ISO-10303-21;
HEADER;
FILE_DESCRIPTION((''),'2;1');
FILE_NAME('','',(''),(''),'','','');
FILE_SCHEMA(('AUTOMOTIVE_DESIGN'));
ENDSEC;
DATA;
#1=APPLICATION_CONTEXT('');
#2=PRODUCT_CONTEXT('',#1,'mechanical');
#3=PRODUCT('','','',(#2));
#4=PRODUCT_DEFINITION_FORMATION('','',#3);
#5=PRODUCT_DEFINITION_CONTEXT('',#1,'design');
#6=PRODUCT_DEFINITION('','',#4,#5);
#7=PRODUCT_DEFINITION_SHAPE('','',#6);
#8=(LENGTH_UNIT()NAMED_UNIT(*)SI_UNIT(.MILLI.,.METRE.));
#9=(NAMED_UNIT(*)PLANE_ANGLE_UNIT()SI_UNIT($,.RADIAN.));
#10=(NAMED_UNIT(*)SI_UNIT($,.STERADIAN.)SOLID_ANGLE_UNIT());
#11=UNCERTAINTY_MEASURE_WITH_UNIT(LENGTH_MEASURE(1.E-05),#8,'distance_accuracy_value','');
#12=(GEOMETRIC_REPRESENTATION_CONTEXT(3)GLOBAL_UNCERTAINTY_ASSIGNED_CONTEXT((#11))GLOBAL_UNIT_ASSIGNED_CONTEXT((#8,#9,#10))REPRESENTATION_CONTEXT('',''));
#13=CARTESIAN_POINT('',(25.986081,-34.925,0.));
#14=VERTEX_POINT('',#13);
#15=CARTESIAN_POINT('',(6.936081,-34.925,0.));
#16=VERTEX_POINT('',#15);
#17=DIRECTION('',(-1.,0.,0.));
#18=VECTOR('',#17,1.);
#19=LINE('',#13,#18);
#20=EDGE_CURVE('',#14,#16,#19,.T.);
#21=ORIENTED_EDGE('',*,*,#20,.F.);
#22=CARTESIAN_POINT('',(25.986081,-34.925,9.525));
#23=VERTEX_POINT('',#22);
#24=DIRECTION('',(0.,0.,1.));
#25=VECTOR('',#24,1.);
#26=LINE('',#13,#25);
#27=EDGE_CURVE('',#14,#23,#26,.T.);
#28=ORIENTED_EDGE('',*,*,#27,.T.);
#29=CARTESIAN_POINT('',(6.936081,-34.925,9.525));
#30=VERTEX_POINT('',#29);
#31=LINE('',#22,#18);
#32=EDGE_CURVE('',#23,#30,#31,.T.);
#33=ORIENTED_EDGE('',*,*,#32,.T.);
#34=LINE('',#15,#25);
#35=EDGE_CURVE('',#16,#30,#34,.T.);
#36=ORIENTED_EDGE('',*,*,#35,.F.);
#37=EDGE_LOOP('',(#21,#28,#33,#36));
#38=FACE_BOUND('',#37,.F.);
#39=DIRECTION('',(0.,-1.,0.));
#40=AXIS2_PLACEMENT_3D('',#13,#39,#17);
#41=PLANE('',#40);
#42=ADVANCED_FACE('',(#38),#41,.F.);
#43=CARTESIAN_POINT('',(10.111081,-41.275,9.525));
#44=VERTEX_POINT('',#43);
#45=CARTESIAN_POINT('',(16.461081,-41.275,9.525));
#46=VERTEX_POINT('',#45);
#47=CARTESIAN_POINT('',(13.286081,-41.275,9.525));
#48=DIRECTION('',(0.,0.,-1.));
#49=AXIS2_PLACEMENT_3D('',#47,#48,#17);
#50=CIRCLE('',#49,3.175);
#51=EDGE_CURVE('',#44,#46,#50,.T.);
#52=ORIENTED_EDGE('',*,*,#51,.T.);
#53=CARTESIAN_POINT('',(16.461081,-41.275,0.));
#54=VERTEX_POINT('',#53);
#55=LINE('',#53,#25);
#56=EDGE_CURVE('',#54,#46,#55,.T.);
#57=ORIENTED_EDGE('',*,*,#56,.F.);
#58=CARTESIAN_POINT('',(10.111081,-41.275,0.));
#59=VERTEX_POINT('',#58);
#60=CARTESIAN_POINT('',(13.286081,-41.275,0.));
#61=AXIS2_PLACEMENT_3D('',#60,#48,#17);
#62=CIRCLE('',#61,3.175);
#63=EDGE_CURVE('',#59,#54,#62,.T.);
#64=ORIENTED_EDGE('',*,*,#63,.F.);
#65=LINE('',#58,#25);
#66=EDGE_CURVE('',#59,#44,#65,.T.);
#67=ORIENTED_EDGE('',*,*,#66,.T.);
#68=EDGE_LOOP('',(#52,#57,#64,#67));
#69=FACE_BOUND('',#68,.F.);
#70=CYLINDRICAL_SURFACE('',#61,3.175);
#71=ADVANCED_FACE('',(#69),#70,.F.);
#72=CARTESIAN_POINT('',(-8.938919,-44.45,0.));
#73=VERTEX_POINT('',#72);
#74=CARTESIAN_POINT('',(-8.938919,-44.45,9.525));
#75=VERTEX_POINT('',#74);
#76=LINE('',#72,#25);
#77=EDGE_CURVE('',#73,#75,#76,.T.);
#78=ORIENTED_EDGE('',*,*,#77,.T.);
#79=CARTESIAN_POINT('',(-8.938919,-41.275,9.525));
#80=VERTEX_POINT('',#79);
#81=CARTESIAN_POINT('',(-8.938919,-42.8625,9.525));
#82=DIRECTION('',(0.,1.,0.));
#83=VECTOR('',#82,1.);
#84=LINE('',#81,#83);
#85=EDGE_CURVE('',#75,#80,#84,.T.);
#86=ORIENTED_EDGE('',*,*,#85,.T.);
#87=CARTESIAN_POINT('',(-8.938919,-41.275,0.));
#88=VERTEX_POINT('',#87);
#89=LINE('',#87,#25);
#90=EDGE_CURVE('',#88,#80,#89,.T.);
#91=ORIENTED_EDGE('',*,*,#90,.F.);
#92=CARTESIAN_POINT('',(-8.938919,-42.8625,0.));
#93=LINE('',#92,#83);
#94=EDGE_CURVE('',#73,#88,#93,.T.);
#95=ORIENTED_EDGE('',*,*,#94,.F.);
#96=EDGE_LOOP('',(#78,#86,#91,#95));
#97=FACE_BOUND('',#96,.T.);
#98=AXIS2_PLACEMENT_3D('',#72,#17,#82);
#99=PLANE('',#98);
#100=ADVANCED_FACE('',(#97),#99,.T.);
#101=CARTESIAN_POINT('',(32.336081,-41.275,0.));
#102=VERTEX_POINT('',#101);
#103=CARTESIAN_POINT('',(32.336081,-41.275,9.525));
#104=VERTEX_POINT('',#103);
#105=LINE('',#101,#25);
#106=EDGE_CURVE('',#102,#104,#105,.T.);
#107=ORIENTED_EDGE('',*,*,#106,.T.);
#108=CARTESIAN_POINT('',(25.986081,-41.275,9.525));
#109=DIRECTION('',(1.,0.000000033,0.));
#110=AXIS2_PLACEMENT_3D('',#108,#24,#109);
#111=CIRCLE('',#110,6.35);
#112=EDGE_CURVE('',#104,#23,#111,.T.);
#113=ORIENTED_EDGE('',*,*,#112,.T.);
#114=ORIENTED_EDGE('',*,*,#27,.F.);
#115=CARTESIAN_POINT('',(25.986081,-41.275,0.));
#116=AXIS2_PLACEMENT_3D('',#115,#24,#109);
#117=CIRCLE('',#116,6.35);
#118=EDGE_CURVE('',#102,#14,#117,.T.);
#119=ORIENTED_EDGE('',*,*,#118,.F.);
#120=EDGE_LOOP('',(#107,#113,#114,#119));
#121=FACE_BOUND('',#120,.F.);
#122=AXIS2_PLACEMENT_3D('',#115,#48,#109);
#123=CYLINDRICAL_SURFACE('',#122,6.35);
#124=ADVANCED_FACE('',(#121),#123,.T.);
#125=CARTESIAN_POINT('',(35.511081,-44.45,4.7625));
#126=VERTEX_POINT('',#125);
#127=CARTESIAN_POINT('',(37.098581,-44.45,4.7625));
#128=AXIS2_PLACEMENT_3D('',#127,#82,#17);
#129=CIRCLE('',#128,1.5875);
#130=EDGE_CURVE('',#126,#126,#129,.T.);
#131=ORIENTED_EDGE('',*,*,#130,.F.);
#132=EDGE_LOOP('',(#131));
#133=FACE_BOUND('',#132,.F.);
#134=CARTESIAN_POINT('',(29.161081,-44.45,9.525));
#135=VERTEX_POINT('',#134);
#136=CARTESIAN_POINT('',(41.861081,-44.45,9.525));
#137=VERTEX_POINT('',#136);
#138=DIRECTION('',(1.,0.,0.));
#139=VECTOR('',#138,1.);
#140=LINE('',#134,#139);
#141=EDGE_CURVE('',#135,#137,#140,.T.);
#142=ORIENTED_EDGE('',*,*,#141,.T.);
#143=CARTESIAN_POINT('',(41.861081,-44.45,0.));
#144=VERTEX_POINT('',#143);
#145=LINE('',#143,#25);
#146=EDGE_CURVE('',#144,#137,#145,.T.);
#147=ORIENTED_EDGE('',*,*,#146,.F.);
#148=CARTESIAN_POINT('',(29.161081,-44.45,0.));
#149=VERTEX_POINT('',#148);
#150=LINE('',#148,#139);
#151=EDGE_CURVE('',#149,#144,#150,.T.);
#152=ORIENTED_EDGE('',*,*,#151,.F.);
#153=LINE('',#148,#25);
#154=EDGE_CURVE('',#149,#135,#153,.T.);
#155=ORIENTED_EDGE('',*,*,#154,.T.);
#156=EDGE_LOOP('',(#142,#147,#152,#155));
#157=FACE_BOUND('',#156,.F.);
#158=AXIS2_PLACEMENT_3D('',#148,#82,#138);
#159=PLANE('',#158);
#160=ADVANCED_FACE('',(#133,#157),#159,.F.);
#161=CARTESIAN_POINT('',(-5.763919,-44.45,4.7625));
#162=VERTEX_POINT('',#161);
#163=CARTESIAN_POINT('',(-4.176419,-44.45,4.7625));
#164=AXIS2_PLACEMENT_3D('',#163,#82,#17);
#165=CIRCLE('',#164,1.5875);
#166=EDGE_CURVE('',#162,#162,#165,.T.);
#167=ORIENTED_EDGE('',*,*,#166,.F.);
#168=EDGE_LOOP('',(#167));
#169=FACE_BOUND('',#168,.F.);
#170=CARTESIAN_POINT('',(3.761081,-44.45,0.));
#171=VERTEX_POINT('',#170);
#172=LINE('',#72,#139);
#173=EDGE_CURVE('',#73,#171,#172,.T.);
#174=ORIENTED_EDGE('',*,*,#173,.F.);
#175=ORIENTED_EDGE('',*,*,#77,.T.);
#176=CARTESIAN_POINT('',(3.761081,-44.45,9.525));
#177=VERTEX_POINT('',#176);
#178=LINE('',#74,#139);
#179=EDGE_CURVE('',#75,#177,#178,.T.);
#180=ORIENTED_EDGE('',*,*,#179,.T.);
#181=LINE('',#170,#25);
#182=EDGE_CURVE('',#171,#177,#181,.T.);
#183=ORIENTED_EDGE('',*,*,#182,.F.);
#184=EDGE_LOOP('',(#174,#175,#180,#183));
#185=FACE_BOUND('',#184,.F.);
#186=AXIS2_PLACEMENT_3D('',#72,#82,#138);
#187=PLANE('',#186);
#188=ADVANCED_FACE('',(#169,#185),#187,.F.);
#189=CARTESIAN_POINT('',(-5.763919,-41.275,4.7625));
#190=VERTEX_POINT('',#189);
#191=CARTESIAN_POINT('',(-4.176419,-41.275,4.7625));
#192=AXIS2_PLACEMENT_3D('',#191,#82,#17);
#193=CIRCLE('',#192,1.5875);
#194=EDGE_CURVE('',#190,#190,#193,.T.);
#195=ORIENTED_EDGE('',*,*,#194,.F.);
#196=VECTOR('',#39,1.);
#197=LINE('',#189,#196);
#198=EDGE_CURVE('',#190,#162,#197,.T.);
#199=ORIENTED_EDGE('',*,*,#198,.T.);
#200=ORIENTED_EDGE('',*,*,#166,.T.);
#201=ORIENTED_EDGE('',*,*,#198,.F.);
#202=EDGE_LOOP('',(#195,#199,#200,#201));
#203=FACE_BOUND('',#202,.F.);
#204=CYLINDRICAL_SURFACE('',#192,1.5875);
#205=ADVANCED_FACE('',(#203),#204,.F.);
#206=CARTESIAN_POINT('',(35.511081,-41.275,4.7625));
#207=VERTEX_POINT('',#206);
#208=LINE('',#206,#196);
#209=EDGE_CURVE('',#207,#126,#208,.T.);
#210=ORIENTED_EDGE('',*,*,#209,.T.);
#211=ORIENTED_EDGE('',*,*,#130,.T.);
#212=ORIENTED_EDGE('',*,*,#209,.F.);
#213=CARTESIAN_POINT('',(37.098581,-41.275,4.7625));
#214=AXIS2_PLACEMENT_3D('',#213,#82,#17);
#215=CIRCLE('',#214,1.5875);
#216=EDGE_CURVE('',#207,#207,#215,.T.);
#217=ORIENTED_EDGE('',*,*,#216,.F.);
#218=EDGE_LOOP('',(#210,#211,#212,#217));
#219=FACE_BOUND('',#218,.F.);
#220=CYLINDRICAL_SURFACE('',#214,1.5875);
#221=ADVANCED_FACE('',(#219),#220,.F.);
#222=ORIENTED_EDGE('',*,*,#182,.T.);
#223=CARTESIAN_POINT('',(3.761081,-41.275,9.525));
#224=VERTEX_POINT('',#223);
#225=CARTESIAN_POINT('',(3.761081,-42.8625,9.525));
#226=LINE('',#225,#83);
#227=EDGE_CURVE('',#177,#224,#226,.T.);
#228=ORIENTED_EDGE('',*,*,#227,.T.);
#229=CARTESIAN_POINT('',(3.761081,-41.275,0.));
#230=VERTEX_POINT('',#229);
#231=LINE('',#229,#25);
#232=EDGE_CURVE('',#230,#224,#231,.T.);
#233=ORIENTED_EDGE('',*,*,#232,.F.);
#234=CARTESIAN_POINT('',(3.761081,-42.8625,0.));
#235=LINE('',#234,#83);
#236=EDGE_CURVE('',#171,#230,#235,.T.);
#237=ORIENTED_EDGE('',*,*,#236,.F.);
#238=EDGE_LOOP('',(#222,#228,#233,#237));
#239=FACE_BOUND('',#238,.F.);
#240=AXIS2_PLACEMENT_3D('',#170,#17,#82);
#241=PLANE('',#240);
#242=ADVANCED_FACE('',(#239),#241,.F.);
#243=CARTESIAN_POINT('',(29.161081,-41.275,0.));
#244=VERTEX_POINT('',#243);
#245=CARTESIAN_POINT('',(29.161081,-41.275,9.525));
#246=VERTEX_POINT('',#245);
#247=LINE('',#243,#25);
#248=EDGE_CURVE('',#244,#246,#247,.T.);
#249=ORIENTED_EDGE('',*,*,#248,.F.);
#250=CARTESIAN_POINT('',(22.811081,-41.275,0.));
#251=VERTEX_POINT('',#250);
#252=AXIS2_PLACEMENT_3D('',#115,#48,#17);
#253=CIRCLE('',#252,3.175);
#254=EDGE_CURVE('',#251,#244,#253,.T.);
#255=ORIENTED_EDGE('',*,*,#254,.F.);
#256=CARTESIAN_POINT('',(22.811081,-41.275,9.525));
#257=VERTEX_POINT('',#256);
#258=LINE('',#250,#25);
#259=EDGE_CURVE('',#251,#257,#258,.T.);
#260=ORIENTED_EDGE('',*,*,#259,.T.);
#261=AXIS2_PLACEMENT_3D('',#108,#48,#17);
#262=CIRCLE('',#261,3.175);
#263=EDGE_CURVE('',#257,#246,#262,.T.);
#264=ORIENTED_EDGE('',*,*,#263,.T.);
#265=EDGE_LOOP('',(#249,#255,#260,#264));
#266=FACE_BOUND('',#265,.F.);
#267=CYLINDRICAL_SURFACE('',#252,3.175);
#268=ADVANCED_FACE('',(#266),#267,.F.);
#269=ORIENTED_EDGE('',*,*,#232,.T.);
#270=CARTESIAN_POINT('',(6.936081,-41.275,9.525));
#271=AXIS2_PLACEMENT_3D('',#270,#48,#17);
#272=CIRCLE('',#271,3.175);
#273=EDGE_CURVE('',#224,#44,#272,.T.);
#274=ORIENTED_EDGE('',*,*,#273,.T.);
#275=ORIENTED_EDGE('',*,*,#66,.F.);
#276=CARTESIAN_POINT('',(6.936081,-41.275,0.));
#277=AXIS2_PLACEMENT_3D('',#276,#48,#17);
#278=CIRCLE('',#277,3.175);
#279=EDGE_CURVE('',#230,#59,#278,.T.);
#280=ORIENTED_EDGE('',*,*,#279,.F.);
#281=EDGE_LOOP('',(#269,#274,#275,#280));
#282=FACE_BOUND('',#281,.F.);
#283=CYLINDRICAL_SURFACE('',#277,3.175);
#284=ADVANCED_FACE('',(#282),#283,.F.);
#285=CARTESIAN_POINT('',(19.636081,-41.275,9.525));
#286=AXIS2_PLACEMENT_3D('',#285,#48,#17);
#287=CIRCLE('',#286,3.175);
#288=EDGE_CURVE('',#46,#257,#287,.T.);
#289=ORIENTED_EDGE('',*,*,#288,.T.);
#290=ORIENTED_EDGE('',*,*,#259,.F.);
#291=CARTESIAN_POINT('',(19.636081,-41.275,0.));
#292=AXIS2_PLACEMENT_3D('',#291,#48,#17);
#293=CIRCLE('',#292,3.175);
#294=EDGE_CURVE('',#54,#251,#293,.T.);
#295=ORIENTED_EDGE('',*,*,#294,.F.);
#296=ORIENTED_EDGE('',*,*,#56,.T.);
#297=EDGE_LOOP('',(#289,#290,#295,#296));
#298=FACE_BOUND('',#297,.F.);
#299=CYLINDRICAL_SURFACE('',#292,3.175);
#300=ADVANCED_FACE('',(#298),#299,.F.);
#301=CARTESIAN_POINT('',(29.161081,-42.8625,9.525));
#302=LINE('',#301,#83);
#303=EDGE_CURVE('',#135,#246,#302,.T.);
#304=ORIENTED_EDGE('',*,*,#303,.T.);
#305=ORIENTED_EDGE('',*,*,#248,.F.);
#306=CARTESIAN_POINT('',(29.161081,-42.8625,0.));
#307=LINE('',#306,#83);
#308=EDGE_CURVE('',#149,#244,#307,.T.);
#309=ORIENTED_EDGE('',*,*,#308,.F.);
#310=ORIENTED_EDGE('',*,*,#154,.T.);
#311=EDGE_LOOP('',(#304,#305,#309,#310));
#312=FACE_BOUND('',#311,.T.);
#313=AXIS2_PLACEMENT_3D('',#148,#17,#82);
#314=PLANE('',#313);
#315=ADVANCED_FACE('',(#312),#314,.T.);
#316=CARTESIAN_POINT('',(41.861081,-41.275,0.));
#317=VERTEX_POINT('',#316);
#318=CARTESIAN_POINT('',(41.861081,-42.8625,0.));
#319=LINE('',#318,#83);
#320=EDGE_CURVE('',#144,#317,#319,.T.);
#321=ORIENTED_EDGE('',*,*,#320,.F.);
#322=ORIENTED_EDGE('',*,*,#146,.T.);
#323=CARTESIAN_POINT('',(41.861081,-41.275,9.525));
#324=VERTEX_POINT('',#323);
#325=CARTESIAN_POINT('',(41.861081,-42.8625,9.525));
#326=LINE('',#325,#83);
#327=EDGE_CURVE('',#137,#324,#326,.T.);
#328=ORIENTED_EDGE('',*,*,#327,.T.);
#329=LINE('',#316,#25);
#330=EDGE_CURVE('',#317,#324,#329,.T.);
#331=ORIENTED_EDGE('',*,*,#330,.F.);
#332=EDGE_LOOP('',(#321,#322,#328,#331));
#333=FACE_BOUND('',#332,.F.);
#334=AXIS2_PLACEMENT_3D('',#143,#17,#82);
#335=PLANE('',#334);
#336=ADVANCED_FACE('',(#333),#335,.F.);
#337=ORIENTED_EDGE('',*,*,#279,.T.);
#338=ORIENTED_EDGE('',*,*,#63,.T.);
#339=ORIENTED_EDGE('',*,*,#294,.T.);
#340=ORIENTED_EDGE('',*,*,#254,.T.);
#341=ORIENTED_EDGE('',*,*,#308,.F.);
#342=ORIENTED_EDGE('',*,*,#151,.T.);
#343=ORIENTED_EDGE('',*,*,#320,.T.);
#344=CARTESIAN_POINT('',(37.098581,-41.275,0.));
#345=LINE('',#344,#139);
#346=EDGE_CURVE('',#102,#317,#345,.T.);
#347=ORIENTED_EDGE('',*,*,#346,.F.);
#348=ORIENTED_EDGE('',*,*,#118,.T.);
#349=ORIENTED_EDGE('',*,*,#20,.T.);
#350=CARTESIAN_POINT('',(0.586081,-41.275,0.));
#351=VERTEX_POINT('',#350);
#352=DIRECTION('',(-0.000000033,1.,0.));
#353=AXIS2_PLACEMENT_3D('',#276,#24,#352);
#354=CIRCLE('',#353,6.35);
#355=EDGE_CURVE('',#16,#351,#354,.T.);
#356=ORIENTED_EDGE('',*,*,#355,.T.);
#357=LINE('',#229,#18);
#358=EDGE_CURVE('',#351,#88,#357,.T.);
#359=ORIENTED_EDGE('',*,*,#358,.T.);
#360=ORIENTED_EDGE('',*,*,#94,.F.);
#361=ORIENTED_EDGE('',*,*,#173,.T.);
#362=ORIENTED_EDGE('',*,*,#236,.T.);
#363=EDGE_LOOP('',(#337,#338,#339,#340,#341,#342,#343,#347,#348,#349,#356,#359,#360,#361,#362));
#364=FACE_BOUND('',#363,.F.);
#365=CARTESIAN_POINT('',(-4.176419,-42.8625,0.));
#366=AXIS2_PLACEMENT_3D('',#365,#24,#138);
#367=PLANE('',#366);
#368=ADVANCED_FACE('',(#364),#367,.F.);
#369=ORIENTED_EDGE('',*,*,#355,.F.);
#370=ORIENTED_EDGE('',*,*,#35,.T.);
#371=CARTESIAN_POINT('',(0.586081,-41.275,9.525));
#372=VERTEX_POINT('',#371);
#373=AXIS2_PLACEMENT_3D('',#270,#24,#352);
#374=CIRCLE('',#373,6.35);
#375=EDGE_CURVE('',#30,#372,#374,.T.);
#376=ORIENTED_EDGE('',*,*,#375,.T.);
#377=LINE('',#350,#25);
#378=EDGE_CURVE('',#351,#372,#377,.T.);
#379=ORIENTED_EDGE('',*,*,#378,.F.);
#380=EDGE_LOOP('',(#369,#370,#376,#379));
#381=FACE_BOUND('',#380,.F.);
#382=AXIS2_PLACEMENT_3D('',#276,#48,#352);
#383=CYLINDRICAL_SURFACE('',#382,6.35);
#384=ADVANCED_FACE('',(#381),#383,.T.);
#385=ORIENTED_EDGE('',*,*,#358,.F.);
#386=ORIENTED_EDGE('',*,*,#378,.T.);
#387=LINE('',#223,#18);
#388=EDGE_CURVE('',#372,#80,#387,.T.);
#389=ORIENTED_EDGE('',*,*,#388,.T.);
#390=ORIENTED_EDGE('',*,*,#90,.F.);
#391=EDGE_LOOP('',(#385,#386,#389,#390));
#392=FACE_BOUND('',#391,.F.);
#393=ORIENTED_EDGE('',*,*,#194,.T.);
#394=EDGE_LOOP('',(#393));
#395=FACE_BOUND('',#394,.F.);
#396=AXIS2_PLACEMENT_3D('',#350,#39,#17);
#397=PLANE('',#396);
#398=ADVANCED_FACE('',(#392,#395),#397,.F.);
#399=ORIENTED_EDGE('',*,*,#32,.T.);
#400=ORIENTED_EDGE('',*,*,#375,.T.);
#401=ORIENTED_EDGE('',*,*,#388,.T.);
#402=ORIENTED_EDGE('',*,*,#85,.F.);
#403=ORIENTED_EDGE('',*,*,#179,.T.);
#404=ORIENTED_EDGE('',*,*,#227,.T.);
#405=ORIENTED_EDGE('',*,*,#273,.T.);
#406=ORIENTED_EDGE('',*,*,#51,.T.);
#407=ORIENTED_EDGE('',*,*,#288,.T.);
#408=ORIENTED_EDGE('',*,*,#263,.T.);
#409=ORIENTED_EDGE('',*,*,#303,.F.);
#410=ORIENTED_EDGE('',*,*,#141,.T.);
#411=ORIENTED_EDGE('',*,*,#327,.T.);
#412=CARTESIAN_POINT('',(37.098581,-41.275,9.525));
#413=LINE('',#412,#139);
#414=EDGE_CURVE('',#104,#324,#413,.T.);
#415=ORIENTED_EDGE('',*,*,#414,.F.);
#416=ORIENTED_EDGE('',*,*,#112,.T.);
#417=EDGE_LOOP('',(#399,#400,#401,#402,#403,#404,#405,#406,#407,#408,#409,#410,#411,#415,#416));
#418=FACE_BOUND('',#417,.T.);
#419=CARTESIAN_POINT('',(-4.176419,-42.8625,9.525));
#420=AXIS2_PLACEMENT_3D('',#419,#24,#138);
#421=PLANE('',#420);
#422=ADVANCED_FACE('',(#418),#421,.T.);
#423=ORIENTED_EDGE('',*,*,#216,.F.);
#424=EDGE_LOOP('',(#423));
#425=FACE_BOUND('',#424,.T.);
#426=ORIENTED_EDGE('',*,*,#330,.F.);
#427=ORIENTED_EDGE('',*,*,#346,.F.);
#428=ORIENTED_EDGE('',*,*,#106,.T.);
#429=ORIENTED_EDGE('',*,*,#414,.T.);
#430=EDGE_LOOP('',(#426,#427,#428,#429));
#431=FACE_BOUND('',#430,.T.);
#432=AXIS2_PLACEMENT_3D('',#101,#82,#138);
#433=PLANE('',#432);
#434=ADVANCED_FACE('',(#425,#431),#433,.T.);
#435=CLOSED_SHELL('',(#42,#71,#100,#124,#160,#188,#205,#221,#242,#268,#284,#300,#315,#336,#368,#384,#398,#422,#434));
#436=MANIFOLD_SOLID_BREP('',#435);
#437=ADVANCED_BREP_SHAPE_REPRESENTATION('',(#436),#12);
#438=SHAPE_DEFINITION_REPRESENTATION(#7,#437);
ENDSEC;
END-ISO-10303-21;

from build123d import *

# Parameters (mm, degrees)
F0_W     = 9.525
F0_H     = 3.175
F0_W_2   = 3.175
F1_DEPTH = 9.525
F2_R     = 1.5875
F3_R     = 1.5875
F4_DEPTH = 25.4


with BuildPart() as f1:
    # F0 (on Top) → F1 (new body)
    with BuildSketch(Plane.XY):
        with Locations((-4.176419, -42.8625)):
            Rectangle(F0_W, F0_H)
        with Locations((2.173581, -42.8625)):
            Rectangle(F0_W_2, F0_H)
        with BuildLine():
            Line((29.161081, -41.275), (32.336081, -41.275))
            ThreePointArc((32.336081, -41.275), (30.476209, -36.784872), (25.986081, -34.925))
            Line((25.986081, -34.925), (6.936081, -34.925))
            ThreePointArc((6.936081, -34.925), (2.445953, -36.784872), (0.586081, -41.275))
            Line((0.586081, -41.275), (3.761081, -41.275))
            ThreePointArc((3.761081, -41.275), (6.936081, -38.1), (10.111081, -41.275))
            ThreePointArc((10.111081, -41.275), (13.286081, -38.1), (16.461081, -41.275))
            ThreePointArc((16.461081, -41.275), (19.636081, -38.1), (22.811081, -41.275))
            ThreePointArc((22.811081, -41.275), (25.986081, -38.1), (29.161081, -41.275))
        make_face()
        with Locations((30.748581, -42.8625)):
            Rectangle(F0_W_2, F0_H)
        with Locations((37.098581, -42.8625)):
            Rectangle(F0_W, F0_H)
    extrude(amount=F1_DEPTH)

    # F2 (on face) + F3 (on face) → F4 (cut)
    with BuildSketch(Plane(origin=(0, -41.275, 0), x_dir=(-1, 0, 0), z_dir=(0, 1, 0))):
        with Locations((4.176419, 4.7625)):
            Circle(F2_R)
    with BuildSketch(Plane(origin=(0, -41.275, 0), x_dir=(-1, 0, 0), z_dir=(0, 1, 0))):
        with Locations((-37.098581, 4.7625)):
            Circle(F3_R)
    extrude(amount=-F4_DEPTH, mode=Mode.SUBTRACT)


solid = f1.part
